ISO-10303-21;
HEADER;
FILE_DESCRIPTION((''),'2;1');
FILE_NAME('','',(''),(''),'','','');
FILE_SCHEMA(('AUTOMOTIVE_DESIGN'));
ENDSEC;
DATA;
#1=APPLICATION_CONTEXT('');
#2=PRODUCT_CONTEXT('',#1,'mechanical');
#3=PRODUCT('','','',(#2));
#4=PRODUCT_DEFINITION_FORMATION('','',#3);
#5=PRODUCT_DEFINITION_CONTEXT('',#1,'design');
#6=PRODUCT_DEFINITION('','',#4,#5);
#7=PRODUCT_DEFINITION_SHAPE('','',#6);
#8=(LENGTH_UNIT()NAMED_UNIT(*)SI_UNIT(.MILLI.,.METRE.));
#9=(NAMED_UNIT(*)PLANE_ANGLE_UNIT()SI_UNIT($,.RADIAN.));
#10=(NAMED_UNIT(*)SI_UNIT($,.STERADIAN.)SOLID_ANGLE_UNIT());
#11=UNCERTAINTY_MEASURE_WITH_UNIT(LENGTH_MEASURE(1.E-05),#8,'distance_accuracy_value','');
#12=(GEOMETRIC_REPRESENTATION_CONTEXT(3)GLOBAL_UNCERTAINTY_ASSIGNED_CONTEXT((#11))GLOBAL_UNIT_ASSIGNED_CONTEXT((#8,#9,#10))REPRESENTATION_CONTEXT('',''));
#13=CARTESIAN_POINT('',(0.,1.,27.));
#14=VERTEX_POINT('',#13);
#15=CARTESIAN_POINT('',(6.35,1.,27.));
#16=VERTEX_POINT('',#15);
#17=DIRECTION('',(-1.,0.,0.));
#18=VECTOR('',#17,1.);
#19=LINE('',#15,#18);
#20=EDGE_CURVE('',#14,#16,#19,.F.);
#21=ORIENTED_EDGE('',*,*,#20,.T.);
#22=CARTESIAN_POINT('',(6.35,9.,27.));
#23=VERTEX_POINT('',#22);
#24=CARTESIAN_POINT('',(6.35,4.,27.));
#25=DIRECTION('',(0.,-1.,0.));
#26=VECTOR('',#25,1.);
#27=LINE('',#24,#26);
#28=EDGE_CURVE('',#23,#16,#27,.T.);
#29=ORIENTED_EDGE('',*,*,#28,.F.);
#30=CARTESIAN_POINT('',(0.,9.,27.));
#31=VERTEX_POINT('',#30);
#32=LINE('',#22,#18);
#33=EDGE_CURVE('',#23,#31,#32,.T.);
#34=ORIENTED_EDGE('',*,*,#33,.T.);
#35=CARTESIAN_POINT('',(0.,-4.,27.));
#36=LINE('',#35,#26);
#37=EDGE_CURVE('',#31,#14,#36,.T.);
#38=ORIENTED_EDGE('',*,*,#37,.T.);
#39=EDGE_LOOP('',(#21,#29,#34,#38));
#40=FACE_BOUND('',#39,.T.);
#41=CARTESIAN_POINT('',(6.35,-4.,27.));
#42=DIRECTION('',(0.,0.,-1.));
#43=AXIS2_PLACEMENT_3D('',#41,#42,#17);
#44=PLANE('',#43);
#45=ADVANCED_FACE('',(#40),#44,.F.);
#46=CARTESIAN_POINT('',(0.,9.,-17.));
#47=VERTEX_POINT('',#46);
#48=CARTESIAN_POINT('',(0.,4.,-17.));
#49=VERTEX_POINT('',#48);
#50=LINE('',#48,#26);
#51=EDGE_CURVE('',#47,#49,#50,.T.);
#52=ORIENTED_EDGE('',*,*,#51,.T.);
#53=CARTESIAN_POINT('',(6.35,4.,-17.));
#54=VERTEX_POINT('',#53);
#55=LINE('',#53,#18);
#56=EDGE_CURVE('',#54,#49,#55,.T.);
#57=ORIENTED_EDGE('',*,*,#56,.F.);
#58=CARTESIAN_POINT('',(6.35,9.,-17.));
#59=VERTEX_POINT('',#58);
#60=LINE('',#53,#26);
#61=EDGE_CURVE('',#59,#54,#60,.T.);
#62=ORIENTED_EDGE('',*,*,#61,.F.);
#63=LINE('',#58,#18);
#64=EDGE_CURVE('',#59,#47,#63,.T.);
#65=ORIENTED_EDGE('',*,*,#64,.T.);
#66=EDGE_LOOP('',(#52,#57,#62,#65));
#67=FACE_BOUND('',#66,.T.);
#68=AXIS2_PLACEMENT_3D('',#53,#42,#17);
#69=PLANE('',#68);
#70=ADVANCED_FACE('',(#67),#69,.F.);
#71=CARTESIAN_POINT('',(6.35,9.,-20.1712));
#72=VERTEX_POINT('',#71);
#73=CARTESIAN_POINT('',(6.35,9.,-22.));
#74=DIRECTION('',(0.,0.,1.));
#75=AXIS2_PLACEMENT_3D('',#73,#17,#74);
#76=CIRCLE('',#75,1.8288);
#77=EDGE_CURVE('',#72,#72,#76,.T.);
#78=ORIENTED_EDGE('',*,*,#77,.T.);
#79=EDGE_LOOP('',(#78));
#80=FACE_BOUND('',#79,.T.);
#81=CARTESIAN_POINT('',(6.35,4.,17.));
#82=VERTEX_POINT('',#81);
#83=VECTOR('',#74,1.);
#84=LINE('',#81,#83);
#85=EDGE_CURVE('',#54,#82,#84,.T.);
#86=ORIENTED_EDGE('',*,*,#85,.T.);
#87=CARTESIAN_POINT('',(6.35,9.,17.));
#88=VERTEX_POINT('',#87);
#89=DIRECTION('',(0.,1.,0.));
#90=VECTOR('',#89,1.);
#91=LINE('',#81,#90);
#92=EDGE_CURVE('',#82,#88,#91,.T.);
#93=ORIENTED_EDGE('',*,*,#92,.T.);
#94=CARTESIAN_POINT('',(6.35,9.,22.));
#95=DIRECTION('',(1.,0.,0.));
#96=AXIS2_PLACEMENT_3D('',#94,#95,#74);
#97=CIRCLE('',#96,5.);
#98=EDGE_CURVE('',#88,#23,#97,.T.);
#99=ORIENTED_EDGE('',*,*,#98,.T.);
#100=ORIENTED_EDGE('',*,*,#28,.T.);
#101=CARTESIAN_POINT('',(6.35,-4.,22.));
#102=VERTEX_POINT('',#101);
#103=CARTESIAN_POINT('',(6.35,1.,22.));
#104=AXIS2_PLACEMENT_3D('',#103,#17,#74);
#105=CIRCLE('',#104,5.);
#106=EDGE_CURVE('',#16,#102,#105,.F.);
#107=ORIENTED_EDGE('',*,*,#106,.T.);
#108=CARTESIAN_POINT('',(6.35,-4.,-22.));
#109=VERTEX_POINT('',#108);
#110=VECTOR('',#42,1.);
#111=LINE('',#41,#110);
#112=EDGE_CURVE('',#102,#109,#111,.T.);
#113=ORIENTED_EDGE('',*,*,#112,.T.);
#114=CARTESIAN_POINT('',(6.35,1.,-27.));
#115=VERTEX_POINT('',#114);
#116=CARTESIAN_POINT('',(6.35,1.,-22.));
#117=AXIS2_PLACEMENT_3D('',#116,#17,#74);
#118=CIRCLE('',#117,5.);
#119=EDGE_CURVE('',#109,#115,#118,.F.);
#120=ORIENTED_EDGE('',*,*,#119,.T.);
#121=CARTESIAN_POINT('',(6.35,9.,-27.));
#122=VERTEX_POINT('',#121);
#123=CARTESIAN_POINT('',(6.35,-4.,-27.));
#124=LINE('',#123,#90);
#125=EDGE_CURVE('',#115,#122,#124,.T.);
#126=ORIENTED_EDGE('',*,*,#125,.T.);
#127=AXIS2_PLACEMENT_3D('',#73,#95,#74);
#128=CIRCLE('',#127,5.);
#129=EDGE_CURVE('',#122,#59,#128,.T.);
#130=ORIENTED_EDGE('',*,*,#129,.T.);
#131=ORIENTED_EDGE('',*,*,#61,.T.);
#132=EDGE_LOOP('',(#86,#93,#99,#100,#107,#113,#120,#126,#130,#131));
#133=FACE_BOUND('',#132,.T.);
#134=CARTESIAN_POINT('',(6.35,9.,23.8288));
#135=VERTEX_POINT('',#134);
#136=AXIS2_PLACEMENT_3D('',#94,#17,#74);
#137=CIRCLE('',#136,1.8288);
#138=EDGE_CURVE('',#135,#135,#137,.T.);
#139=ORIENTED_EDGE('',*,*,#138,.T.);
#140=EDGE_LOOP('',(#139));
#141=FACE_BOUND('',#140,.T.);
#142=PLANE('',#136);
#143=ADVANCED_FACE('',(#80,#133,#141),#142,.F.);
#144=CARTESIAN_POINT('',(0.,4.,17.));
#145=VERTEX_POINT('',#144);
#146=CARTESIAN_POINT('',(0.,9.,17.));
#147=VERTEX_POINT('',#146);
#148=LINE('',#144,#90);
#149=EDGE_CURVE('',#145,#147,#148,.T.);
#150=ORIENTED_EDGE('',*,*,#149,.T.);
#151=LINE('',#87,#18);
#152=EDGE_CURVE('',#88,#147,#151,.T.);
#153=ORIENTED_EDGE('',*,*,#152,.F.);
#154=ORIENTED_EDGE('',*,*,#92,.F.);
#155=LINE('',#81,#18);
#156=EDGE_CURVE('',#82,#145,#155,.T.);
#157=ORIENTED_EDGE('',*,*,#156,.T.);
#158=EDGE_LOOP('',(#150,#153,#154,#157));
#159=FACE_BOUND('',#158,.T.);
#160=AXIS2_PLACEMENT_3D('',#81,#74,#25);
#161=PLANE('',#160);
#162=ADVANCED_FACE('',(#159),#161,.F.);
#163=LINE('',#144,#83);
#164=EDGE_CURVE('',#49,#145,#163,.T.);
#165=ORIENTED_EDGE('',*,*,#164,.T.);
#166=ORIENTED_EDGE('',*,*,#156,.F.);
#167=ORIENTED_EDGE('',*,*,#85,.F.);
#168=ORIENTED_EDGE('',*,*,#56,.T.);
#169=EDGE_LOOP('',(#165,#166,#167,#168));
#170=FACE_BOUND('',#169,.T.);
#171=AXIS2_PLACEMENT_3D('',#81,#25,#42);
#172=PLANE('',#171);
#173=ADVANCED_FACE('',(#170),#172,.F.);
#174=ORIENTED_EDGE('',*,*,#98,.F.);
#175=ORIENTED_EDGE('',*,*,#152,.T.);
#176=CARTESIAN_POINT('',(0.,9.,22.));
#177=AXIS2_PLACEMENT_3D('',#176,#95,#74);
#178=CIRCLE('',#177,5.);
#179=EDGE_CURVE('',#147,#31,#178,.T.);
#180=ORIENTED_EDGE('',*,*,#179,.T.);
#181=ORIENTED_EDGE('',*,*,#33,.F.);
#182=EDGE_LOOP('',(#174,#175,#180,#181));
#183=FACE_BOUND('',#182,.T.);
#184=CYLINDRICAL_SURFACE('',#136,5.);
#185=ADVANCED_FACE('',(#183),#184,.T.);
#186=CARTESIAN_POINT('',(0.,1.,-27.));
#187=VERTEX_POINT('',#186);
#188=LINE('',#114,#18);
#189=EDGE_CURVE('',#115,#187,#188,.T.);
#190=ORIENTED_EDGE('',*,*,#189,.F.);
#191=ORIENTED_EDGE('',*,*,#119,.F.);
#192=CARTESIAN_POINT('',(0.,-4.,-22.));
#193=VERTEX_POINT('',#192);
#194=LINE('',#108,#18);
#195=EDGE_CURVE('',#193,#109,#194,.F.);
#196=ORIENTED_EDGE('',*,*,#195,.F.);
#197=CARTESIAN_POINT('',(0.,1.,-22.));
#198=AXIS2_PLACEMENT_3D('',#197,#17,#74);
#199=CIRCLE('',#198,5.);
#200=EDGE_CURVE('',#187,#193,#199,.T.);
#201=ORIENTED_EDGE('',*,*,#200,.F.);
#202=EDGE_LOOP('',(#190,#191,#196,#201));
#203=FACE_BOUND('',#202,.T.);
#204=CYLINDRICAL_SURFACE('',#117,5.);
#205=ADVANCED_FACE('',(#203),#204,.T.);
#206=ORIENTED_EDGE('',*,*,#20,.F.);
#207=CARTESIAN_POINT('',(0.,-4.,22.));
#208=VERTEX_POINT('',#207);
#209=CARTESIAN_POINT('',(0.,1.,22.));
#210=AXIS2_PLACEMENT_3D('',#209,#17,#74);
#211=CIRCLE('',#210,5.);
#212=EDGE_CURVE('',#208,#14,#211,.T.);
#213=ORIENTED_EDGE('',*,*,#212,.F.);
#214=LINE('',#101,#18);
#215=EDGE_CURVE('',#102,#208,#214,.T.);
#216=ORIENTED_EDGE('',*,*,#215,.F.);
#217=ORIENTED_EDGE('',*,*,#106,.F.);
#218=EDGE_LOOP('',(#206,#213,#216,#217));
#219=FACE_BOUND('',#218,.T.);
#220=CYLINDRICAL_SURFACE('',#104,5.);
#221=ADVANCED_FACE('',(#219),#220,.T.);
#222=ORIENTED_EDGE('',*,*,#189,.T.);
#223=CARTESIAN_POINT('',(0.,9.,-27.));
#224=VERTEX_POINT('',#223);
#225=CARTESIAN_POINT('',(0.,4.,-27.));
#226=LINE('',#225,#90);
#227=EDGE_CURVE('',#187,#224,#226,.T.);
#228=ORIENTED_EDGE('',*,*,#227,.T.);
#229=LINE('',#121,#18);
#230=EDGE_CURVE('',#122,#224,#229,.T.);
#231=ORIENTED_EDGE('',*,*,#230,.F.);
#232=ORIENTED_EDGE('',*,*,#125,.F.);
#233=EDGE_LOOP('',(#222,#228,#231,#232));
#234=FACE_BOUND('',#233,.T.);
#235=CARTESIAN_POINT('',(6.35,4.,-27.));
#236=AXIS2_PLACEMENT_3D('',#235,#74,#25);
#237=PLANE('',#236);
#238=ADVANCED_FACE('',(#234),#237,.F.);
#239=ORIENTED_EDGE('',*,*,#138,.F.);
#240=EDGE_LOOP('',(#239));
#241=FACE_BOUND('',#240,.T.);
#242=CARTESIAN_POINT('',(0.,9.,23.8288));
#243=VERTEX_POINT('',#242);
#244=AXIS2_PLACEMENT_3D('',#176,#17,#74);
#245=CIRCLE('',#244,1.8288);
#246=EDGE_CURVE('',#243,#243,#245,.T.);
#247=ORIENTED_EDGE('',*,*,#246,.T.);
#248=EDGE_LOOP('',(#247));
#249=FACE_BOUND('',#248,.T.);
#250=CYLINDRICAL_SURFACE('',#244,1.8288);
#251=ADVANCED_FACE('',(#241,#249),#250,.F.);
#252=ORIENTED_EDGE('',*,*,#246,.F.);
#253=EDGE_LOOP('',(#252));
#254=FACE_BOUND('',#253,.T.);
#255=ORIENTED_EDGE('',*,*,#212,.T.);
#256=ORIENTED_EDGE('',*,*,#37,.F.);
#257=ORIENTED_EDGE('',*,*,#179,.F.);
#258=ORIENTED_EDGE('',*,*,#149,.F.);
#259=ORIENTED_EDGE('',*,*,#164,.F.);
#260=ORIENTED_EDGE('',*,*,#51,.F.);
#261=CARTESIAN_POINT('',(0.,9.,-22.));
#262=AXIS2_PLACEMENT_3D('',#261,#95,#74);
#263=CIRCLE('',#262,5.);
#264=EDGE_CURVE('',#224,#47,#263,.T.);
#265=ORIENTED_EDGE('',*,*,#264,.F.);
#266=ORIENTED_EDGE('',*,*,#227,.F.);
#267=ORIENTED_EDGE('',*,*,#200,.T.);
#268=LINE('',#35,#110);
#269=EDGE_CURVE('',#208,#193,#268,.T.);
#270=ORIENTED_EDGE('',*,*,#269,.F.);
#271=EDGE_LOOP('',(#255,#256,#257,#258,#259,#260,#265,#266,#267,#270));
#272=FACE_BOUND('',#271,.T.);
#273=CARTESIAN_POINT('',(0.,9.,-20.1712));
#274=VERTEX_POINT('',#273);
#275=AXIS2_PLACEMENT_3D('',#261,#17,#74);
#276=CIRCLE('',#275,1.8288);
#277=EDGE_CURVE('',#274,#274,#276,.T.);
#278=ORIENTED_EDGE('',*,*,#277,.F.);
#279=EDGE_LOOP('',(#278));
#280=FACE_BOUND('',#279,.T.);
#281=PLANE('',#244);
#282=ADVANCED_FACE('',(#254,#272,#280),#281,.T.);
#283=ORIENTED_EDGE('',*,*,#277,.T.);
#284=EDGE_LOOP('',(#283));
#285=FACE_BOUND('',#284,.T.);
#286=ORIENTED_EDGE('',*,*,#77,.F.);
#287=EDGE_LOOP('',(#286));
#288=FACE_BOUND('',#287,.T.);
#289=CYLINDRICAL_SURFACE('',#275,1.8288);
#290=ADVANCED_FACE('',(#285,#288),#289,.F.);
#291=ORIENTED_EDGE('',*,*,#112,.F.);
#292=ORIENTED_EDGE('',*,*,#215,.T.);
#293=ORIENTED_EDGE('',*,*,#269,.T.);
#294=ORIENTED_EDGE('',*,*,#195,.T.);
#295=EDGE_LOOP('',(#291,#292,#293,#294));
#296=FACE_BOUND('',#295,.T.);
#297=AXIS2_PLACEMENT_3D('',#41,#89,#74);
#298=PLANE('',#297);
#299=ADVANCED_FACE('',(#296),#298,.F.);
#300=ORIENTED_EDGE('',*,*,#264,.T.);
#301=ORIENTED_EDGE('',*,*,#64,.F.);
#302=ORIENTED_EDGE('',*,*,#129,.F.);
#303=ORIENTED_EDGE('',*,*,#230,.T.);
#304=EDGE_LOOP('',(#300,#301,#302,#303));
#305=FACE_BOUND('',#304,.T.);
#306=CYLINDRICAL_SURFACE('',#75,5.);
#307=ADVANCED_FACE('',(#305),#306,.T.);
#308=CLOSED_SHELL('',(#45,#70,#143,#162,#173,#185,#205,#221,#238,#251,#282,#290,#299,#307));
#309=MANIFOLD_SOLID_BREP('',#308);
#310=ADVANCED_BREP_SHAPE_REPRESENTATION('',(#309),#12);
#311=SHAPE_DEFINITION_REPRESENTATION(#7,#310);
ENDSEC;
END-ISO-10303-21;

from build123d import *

# Parameters (mm, degrees)
BOSS_EXTRUDE1_DEPTH   = 6.35
FILLET1_R             = 5
F_6_CLEARANCE_HOLE1_D = 3.6576


with BuildPart() as part:
    # Sketch1 → Boss-Extrude1 (new body)
    with BuildSketch(Plane(origin=(0, 0, 0), x_dir=(0, 0, -1), z_dir=(1, 0, 0))):
        with BuildLine():
            Line((-27, -4), (-27, 4))
            Line((-27, 4), (-27, 9))
            ThreePointArc((-27, 9), (-22, 14), (-17, 9))
            Line((-17, 9), (-17, 4))
            Line((-17, 4), (17, 4))
            Line((17, 4), (17, 9))
            ThreePointArc((17, 9), (22, 14), (27, 9))
            Line((27, 9), (27, 4))
            Line((27, 4), (27, -4))
            Line((27, -4), (-27, -4))
        make_face()
    extrude(amount=BOSS_EXTRUDE1_DEPTH)

    # Fillet1
    fillet1_edges = [part.edges().sort_by_distance(p)[0] for p in [
        (3.175, -4, -27),
        (3.175, -4, 27),
    ]]
    fillet(fillet1_edges, radius=FILLET1_R)

    # #6 Clearance Hole1 (through all)
    with Locations(Plane.ZY):
        with Locations((-22, 9), (22, 9)):
            Hole(F_6_CLEARANCE_HOLE1_D / 2)


solid = part.part
